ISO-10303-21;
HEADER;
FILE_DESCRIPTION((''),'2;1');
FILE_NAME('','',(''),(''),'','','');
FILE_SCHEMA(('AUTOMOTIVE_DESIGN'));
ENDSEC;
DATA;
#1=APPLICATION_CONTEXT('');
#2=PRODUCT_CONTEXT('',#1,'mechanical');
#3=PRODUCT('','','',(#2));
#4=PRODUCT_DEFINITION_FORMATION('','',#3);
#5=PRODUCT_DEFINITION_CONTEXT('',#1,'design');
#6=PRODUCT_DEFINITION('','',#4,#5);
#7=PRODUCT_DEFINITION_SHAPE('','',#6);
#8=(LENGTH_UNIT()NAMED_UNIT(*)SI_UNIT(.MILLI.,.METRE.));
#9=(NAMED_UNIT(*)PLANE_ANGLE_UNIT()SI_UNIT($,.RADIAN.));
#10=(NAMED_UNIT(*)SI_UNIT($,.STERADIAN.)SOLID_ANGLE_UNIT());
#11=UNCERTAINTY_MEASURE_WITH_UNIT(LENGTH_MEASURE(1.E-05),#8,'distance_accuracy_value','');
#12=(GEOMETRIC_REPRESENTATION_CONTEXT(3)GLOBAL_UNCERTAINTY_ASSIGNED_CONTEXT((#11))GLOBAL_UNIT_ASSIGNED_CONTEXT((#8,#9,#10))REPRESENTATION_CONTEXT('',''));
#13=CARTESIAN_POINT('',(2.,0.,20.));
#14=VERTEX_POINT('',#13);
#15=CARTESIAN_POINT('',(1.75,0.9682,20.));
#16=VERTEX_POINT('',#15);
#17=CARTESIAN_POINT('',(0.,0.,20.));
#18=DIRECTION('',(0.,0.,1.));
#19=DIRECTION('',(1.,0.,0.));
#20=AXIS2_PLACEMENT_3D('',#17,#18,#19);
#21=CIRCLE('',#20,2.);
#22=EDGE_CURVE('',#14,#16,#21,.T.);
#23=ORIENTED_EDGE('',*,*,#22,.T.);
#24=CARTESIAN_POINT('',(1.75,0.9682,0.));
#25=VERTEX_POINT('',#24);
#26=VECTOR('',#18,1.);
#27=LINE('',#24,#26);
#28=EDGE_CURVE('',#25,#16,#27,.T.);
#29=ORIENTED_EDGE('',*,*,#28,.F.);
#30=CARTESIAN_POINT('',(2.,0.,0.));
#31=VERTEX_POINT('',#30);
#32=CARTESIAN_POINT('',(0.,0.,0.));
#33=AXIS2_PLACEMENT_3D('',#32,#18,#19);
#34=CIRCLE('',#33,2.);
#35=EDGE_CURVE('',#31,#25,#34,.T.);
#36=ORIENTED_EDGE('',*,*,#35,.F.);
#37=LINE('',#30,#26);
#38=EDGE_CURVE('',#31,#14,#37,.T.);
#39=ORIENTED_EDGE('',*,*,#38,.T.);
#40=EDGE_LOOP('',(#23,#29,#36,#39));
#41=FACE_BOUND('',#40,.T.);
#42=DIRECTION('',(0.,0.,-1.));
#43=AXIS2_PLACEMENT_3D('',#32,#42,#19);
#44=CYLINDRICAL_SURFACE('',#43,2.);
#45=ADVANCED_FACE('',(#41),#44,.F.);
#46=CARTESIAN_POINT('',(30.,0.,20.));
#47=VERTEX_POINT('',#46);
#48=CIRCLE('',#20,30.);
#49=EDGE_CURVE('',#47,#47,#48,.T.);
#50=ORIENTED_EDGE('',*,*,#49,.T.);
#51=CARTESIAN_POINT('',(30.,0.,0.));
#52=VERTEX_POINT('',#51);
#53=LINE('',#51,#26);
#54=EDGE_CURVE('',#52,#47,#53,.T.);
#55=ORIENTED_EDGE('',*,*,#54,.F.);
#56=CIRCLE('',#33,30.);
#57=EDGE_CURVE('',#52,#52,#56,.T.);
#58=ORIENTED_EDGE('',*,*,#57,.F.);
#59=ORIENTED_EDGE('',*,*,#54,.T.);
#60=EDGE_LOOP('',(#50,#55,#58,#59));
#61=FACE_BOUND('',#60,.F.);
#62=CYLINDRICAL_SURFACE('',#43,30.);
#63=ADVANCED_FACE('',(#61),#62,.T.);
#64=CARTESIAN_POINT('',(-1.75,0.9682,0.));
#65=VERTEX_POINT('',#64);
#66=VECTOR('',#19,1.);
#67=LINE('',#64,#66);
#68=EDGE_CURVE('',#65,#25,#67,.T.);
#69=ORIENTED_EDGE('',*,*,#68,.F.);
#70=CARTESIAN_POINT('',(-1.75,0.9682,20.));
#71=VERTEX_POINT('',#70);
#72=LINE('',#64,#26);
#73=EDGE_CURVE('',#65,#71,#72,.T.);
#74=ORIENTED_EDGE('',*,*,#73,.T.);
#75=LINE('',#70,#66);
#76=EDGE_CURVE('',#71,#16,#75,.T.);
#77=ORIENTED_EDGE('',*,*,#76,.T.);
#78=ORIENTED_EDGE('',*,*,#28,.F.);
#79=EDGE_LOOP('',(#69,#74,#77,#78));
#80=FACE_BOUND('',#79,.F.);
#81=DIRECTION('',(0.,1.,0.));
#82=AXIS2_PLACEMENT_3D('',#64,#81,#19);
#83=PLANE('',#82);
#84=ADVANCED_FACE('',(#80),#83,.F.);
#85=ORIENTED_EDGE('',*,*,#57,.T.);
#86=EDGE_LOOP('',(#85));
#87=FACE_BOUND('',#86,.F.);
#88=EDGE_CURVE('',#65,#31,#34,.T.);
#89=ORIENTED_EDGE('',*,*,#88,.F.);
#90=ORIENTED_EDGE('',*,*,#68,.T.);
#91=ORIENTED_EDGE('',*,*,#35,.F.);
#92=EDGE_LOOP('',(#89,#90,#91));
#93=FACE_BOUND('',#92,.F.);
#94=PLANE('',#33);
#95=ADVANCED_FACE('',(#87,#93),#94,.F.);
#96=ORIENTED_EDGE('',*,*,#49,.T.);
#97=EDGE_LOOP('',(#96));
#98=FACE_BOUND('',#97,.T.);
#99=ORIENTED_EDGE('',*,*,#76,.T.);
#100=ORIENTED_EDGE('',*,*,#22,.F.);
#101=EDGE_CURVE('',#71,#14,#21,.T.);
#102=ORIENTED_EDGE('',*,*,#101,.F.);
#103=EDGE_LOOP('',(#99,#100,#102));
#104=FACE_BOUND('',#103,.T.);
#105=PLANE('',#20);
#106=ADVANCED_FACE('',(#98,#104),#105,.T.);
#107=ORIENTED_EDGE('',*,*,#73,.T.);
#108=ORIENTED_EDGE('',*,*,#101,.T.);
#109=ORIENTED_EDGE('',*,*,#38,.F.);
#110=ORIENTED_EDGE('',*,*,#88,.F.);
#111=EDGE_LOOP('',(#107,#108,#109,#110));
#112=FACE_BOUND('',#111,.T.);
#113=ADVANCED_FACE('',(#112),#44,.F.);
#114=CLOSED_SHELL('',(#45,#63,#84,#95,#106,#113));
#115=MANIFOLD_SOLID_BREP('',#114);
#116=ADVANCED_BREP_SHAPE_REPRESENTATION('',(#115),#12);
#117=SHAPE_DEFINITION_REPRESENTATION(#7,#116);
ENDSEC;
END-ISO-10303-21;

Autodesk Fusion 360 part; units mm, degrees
sketch "Sketch1" plane through (0, 0, 0) normal (0, 0, 1) x (1, 0, 0)
  circle A0 centre (0, 0) radius 30
  circle A1 centre (0, 0) radius 2
  line L0 (-1.75, 0.9682) -> (1.75, 0.9682)
  dimension "d1" = 60
  dimension "d2" = 4
  dimension "d3" = 3.5
extrude "Extrude1" add sketch "Sketch1" along normal blind 20 contours A0 | A1 L0 picked at (0.4695, 1.1188)
